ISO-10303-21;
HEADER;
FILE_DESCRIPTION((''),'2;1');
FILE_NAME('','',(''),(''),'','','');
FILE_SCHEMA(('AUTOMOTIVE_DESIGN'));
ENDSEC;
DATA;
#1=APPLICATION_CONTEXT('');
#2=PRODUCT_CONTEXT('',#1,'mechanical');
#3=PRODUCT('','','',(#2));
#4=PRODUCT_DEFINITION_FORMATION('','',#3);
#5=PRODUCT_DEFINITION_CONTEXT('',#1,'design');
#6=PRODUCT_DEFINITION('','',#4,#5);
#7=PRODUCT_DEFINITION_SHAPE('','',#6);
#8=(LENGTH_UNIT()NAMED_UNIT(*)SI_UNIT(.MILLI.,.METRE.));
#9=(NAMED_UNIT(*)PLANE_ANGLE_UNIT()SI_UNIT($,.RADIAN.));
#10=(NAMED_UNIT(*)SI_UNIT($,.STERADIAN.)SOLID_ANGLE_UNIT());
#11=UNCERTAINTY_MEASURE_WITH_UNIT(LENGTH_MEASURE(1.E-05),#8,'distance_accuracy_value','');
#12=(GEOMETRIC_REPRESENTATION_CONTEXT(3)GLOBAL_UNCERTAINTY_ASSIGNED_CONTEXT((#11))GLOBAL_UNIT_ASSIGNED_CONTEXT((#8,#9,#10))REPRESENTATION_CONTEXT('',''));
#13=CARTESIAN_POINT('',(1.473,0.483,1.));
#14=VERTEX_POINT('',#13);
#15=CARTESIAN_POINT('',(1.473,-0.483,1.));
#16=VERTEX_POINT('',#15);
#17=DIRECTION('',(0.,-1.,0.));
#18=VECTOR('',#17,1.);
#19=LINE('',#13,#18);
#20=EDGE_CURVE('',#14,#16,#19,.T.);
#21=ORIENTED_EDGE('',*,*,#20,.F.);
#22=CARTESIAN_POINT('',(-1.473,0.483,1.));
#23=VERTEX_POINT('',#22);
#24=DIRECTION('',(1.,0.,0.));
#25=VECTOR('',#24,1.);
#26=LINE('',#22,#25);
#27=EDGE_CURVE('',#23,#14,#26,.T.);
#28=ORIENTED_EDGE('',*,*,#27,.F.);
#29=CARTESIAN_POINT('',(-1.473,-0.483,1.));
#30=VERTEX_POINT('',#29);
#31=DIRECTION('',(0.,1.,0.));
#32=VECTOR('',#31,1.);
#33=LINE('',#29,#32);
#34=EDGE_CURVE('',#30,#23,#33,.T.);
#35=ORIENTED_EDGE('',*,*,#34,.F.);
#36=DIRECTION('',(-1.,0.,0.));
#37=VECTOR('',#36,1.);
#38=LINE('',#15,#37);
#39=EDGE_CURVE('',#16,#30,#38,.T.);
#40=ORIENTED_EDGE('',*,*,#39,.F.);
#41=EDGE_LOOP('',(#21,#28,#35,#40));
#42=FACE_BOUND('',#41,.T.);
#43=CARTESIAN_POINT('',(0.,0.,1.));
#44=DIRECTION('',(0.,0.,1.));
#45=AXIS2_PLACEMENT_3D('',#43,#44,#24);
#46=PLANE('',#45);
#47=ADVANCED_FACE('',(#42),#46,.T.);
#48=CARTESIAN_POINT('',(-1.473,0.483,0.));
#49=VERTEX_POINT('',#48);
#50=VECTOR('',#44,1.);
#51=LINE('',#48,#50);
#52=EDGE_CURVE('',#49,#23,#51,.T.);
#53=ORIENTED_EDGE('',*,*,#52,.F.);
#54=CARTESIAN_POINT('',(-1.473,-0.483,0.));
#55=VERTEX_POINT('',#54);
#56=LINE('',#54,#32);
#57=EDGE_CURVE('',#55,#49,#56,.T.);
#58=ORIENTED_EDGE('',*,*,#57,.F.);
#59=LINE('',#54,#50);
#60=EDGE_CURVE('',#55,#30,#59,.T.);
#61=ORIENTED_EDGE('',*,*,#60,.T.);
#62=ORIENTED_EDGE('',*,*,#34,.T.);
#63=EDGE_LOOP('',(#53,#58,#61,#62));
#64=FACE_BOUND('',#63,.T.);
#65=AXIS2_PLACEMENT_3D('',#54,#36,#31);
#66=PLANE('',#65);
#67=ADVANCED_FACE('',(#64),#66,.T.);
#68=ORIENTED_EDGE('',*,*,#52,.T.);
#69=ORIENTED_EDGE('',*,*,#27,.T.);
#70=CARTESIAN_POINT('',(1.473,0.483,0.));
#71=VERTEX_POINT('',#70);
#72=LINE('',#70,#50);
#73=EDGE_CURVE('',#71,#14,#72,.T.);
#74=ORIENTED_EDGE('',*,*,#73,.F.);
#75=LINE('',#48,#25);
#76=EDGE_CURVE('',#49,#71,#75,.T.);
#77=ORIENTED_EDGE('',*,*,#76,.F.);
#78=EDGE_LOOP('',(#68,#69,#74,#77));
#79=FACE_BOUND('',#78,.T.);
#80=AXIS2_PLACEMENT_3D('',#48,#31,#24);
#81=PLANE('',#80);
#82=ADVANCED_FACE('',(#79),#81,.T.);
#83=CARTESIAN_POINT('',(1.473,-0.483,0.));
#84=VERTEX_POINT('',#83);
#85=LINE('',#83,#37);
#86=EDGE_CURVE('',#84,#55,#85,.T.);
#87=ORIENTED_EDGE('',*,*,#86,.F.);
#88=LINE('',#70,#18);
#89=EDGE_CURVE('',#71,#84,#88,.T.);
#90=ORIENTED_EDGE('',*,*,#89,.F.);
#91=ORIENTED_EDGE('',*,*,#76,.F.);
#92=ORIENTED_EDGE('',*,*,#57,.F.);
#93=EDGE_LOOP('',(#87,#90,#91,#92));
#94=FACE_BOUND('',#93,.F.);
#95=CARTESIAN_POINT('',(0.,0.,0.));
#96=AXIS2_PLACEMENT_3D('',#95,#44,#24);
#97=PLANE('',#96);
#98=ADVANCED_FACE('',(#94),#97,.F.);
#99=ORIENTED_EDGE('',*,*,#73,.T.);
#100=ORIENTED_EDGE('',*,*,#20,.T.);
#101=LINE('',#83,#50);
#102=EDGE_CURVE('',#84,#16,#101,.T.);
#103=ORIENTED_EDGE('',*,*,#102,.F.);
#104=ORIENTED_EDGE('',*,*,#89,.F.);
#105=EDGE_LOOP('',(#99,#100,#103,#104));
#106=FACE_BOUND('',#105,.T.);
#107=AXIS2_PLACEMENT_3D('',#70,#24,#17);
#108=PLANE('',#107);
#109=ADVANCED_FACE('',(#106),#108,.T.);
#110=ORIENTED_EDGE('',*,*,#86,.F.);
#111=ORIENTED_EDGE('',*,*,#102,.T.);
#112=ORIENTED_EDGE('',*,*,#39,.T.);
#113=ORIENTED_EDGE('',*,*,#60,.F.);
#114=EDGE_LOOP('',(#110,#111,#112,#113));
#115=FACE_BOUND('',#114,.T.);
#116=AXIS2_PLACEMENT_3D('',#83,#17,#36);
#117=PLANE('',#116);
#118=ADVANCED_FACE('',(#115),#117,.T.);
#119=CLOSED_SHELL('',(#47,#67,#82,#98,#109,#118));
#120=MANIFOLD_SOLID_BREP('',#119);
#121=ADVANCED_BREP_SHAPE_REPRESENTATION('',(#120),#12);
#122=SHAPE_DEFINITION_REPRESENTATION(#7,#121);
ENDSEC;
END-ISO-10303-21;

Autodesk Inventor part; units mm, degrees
ref_plane "YZ Plane" through (0, 0, 0) normal (1, 0, 0) x (0, 1, 0)
ref_plane "XZ Plane" through (0, 0, 0) normal (0, 1, 0) x (-1, 0, 0)
ref_plane "XY Plane" through (0, 0, 0) normal (0, 0, 1) x (1, 0, 0)
sketch "0402-RES, 4_7K_47" plane through (0, 0, 0) normal (0, 0, 1) x (1, 0, 0)
  line L0 (-1.473, 0.483) -> (1.473, 0.483)
  line L1 (1.473, 0.483) -> (1.473, -0.483)
  line L2 (1.473, -0.483) -> (-1.473, -0.483)
  line L3 (-1.473, -0.483) -> (-1.473, 0.483)
extrude "Extrusion1" add sketch "0402-RES, 4_7K_47" along normal blind 1
properties part number "4_7K"
